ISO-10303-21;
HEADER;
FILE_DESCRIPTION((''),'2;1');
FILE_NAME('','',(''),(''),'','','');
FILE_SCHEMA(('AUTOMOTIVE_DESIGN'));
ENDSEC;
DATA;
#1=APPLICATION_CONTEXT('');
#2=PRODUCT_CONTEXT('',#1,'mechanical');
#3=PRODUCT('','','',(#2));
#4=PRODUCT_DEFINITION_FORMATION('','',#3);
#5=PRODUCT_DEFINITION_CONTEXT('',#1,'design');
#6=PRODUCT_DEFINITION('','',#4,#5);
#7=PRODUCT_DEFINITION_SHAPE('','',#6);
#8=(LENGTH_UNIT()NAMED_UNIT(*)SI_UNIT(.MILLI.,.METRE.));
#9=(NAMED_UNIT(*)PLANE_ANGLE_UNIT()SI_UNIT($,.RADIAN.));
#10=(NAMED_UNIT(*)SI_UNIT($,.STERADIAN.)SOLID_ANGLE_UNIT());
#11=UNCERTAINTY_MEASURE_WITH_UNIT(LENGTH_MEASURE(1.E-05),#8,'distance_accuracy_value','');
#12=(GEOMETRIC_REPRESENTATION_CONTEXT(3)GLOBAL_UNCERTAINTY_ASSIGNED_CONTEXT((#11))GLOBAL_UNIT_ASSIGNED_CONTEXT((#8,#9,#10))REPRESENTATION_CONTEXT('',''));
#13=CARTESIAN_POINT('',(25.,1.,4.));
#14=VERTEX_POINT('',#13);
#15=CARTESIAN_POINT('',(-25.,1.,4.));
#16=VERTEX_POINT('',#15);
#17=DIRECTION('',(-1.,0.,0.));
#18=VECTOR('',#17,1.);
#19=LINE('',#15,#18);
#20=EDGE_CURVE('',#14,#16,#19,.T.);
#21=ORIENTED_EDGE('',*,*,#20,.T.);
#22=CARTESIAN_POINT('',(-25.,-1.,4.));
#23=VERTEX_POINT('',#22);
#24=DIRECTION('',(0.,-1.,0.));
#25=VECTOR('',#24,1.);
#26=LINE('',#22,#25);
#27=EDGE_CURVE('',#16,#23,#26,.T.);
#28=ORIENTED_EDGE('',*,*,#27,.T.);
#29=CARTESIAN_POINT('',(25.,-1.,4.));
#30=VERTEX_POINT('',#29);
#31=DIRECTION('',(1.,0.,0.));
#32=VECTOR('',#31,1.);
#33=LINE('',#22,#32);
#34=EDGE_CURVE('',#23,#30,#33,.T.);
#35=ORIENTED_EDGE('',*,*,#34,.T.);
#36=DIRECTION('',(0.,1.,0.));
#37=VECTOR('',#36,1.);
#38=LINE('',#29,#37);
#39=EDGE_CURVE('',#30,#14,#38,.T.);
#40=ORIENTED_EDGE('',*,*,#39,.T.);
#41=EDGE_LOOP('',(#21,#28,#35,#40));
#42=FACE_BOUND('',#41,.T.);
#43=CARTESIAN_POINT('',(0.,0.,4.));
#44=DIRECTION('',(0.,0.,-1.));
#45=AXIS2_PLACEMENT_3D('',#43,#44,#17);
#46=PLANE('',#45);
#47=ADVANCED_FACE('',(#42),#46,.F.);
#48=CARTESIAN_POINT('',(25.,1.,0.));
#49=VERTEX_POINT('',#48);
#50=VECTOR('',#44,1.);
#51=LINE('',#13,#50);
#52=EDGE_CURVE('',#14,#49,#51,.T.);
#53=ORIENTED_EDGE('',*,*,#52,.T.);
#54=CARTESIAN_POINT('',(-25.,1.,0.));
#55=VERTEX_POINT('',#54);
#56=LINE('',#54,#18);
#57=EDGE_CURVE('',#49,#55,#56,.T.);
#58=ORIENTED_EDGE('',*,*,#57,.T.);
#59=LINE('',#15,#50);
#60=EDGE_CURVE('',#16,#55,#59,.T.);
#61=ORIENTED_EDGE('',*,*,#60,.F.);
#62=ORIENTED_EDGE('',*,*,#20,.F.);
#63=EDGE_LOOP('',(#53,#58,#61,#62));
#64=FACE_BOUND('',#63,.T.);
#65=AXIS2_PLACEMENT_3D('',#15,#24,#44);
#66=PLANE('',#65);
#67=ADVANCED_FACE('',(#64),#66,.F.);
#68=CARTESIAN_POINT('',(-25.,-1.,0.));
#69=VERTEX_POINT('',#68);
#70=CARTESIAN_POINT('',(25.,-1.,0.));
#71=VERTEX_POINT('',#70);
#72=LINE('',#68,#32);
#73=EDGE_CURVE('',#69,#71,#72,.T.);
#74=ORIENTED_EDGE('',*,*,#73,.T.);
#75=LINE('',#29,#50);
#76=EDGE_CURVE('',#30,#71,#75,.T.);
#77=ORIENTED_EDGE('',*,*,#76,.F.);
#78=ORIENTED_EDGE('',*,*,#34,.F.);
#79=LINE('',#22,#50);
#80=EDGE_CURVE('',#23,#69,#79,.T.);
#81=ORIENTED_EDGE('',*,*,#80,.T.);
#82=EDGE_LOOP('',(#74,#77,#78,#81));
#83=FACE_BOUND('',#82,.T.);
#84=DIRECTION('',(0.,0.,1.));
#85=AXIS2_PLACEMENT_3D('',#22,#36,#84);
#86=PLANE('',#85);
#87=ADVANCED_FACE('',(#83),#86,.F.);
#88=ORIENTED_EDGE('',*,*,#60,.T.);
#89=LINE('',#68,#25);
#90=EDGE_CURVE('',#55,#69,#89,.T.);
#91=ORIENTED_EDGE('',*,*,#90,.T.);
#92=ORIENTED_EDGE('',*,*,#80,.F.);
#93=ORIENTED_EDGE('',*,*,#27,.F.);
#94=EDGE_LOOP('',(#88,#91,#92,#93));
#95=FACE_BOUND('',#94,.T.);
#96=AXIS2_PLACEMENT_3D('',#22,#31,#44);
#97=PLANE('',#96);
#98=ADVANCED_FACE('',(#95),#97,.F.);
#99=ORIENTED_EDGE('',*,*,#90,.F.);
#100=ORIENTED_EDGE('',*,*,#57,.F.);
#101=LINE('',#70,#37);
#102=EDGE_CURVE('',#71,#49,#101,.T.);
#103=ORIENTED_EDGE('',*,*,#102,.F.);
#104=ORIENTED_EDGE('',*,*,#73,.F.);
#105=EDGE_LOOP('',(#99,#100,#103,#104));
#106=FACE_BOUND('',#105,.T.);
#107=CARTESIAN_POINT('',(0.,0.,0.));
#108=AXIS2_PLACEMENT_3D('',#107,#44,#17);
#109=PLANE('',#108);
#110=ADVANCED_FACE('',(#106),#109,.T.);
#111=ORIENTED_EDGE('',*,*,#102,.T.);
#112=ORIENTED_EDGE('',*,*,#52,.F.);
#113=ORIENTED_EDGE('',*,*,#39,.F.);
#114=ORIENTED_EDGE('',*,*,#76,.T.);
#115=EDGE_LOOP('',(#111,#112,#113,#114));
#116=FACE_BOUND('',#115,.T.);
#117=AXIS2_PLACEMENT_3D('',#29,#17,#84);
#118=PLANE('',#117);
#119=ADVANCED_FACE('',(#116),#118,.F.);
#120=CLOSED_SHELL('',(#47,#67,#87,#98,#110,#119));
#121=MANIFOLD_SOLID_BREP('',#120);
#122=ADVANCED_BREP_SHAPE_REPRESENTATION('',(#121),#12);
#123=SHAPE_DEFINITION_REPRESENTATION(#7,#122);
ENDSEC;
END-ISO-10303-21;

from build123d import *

# Parameters (mm, degrees)
ESQUISSE1_W        = 50
ESQUISSE1_H        = 2
BOSS_EXTRU_1_DEPTH = 4


with BuildPart() as part:
    # Esquisse1 → Boss.-Extru.1 (new body)
    with BuildSketch(Plane.XY):
        Rectangle(ESQUISSE1_W, ESQUISSE1_H)
    extrude(amount=BOSS_EXTRU_1_DEPTH)


solid = part.part
